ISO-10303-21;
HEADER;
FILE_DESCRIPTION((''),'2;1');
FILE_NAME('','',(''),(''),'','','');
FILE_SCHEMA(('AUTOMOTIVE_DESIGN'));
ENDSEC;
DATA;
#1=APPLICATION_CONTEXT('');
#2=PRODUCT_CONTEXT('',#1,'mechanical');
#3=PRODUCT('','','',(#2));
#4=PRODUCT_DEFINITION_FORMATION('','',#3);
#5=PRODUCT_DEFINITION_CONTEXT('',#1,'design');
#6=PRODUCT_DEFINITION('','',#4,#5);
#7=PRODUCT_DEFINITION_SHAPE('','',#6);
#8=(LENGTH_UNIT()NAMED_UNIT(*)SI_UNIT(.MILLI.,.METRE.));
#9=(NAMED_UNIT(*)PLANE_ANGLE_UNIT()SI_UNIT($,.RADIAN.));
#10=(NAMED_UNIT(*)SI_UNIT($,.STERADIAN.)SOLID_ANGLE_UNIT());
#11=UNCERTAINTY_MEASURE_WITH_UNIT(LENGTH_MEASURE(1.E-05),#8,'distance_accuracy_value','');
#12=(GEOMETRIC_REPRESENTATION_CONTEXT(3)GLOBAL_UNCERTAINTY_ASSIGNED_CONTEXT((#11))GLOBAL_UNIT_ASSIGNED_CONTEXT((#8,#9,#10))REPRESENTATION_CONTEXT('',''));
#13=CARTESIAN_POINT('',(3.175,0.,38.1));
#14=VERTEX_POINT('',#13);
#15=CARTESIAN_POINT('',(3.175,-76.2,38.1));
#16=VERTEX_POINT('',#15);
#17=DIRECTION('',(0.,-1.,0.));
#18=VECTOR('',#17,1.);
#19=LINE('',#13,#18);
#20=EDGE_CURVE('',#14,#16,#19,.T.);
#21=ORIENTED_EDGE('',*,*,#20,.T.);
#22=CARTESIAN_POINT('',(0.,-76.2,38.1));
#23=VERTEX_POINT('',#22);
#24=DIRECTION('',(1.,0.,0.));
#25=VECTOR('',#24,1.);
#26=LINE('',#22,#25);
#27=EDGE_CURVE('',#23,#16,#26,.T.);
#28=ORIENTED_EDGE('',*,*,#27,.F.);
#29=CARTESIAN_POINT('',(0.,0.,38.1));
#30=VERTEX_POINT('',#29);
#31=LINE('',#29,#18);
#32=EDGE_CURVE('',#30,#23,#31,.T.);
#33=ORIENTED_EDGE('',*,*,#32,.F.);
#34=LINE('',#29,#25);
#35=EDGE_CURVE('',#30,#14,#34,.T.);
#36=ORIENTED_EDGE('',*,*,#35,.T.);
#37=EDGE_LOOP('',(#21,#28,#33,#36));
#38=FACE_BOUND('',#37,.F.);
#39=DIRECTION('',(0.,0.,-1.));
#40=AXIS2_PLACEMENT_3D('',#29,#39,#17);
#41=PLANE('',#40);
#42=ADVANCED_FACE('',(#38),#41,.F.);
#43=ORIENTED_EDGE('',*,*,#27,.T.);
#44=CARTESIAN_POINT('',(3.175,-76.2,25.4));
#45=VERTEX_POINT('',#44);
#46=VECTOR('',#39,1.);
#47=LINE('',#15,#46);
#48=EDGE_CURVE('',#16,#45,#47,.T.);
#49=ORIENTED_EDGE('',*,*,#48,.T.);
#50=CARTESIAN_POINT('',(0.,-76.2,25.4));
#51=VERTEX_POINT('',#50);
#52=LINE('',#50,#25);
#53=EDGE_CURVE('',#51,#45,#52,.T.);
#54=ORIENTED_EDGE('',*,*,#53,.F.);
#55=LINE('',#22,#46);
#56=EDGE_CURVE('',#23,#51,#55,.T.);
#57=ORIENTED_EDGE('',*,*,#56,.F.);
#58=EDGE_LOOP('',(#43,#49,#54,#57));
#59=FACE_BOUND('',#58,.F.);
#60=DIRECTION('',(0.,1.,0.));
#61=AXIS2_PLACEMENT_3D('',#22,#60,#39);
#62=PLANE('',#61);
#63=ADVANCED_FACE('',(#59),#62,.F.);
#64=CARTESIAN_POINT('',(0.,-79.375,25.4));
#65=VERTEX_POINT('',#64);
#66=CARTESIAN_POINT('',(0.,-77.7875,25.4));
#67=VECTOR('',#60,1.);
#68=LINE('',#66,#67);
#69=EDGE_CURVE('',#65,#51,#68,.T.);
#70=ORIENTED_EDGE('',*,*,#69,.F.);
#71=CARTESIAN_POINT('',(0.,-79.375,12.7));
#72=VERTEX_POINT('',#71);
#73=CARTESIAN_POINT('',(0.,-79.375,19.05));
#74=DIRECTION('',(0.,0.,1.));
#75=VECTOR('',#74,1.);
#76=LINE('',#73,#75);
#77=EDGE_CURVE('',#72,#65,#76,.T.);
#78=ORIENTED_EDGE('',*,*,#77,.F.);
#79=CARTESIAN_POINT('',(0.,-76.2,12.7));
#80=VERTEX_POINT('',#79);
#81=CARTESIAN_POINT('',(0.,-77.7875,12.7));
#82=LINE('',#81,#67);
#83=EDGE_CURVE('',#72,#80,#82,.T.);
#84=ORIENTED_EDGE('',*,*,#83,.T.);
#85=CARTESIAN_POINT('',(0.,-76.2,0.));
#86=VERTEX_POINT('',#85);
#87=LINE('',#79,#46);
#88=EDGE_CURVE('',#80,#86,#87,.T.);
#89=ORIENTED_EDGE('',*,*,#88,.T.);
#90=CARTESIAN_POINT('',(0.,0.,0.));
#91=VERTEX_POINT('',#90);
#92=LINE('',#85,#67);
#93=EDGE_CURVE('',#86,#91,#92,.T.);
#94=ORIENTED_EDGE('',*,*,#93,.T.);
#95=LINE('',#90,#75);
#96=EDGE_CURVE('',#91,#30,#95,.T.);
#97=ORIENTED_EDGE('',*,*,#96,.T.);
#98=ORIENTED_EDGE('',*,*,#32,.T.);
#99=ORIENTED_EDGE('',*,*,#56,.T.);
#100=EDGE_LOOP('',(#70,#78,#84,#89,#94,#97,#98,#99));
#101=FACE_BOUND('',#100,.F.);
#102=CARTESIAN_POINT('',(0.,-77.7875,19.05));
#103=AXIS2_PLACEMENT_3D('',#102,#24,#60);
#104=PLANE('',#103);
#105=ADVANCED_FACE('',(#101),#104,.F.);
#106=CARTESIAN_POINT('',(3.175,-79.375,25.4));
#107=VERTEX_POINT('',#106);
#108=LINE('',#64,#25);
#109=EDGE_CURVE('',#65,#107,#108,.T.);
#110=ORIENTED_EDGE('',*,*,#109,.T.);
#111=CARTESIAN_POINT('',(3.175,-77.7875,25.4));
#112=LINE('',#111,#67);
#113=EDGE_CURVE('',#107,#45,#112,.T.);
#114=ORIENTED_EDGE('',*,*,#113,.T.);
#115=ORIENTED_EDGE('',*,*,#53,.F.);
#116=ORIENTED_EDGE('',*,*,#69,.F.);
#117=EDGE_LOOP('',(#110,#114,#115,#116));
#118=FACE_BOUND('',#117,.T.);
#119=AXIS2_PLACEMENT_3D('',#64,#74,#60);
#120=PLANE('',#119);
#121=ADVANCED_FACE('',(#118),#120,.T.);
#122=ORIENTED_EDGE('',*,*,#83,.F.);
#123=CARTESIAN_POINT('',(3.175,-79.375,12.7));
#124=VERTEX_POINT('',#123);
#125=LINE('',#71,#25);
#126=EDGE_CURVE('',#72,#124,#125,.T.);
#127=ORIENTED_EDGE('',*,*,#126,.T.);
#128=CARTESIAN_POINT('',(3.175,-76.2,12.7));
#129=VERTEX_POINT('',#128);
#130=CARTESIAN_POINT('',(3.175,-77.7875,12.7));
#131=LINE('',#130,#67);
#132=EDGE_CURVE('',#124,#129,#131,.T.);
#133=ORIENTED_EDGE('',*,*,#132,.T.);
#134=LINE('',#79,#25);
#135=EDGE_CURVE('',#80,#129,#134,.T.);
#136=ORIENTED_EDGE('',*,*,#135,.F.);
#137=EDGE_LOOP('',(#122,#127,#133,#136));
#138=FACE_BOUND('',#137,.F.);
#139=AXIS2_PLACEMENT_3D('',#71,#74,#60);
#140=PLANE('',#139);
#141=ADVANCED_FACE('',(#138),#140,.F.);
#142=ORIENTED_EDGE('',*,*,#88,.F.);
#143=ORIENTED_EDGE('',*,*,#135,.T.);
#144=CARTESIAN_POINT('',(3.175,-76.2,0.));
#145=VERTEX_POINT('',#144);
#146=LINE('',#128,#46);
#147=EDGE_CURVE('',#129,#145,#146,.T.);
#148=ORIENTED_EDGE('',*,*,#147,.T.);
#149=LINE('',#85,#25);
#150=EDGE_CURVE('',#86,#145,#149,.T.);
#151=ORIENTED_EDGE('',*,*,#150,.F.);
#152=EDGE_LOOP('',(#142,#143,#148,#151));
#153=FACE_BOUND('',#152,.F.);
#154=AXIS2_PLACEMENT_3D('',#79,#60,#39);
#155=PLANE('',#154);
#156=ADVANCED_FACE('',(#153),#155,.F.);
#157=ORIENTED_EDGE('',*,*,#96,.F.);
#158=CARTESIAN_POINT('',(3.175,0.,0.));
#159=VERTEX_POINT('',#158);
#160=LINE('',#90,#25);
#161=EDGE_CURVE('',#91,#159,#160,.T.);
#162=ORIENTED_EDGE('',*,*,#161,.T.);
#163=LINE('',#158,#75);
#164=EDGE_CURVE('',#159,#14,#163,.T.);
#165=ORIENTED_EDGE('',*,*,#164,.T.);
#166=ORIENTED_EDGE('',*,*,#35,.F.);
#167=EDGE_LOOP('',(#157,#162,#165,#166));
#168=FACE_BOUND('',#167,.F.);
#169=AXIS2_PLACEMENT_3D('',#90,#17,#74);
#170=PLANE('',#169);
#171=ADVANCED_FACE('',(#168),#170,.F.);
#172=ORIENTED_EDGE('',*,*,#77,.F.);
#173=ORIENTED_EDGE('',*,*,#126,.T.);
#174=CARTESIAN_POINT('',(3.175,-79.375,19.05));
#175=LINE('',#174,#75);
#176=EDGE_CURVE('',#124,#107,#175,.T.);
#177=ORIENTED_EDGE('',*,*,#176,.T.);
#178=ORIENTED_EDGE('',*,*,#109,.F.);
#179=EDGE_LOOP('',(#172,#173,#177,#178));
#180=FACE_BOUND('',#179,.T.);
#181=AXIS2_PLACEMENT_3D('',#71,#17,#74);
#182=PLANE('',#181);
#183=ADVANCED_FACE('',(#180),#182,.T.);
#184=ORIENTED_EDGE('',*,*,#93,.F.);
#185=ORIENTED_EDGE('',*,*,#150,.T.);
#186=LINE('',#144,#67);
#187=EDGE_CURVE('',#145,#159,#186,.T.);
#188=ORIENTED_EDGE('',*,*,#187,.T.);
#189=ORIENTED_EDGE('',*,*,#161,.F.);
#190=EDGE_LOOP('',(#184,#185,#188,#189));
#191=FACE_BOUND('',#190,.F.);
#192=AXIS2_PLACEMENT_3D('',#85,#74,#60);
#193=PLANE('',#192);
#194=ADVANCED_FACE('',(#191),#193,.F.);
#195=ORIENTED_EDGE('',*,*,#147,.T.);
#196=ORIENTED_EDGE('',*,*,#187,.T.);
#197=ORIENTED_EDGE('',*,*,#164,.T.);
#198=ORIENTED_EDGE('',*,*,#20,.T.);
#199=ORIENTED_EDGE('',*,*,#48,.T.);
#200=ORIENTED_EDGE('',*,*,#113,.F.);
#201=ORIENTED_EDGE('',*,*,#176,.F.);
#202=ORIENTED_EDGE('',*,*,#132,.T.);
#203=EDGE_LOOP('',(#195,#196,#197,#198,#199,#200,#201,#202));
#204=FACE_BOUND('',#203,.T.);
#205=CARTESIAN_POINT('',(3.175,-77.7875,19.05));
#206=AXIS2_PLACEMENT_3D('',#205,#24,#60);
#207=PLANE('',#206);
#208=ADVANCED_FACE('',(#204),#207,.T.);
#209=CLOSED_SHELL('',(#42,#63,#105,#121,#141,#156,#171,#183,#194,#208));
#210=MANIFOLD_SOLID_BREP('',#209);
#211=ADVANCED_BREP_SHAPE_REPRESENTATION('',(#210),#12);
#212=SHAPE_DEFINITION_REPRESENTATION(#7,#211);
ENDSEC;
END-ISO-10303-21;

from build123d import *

# Parameters (mm, degrees)
F0_W     = 3.175
F0_H     = 12.7
F1_DEPTH = 3.175


with BuildPart() as f1:
    # F0 (on Right) → F1 (new body)
    with BuildSketch(Plane.YZ):
        with Locations((-77.7875, 19.05)):
            Rectangle(F0_W, F0_H)
        Polygon((0, 0), (0, 38.1), (-76.2, 38.1), (-76.2, 25.4), (-76.2, 12.7), (-76.2, 0), align=None)
    extrude(amount=F1_DEPTH)


solid = f1.part
